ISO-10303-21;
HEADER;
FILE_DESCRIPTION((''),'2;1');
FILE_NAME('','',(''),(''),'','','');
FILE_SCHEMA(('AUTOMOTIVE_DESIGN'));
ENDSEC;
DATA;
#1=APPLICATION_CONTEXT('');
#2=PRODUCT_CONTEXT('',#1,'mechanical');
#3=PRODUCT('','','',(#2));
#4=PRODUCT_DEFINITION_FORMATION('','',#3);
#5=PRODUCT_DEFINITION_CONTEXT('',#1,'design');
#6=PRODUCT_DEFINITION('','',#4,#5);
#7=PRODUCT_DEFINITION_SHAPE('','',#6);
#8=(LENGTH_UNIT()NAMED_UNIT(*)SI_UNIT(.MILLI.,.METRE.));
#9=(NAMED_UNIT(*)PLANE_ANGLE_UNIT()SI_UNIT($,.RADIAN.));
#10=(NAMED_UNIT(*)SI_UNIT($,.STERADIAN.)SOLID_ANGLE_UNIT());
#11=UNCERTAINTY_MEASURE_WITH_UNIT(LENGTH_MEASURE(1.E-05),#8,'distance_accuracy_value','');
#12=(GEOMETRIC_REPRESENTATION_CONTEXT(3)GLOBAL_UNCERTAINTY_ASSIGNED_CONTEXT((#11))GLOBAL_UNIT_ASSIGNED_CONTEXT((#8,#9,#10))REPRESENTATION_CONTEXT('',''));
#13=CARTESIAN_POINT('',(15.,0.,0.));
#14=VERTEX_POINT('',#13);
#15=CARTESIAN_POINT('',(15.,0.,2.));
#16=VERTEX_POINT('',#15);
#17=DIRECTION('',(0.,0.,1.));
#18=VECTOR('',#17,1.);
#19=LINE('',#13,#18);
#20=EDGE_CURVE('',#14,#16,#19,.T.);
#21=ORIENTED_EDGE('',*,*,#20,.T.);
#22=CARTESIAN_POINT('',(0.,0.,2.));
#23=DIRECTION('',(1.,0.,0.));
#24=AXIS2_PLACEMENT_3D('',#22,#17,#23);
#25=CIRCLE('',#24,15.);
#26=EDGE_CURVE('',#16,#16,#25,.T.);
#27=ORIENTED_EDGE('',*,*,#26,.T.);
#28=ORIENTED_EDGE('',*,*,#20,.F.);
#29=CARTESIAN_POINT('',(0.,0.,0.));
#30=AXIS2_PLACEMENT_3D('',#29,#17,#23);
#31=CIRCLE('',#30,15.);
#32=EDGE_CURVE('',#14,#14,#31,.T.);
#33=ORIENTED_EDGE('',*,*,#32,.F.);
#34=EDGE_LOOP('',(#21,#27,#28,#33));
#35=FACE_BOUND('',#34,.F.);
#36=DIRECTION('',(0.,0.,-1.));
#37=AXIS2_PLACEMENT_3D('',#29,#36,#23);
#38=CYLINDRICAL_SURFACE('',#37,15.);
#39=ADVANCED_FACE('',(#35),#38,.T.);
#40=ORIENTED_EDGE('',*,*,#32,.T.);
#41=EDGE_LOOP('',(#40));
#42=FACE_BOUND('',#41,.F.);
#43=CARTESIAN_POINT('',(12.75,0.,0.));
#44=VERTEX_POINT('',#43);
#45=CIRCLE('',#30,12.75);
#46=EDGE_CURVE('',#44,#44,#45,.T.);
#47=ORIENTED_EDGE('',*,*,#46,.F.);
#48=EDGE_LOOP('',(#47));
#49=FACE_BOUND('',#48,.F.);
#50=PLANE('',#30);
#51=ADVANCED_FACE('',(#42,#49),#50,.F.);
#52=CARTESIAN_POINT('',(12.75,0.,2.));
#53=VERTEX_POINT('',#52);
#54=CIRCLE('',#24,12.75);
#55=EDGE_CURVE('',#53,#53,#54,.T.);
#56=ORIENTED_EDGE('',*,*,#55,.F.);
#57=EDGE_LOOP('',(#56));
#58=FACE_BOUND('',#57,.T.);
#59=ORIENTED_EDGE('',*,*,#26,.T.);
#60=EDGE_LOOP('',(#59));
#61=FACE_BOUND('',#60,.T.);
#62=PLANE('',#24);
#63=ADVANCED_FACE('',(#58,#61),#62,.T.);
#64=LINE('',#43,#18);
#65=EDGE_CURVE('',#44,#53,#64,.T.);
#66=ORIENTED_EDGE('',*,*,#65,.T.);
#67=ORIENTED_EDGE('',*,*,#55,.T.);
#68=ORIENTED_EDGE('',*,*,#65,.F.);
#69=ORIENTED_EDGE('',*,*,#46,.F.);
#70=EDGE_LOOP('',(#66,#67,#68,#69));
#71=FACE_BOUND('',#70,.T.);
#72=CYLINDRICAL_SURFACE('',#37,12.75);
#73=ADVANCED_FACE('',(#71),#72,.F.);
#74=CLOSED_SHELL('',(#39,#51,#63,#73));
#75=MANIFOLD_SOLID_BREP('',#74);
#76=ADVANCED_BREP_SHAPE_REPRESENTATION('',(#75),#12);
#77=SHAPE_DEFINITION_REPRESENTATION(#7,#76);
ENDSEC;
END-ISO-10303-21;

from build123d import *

# Parameters (mm, degrees)
SKIZZE1_R                       = 15
SKIZZE1_R_2                     = 12.75
AUFSATZ_LINEAR_AUSTRAGEN1_DEPTH = 2


with BuildPart() as part:
    # Skizze1 → Aufsatz-Linear austragen1 (new body)
    with BuildSketch(Plane.XY):
        Circle(SKIZZE1_R)
        Circle(SKIZZE1_R_2, mode=Mode.SUBTRACT)
    extrude(amount=AUFSATZ_LINEAR_AUSTRAGEN1_DEPTH)


solid = part.part
